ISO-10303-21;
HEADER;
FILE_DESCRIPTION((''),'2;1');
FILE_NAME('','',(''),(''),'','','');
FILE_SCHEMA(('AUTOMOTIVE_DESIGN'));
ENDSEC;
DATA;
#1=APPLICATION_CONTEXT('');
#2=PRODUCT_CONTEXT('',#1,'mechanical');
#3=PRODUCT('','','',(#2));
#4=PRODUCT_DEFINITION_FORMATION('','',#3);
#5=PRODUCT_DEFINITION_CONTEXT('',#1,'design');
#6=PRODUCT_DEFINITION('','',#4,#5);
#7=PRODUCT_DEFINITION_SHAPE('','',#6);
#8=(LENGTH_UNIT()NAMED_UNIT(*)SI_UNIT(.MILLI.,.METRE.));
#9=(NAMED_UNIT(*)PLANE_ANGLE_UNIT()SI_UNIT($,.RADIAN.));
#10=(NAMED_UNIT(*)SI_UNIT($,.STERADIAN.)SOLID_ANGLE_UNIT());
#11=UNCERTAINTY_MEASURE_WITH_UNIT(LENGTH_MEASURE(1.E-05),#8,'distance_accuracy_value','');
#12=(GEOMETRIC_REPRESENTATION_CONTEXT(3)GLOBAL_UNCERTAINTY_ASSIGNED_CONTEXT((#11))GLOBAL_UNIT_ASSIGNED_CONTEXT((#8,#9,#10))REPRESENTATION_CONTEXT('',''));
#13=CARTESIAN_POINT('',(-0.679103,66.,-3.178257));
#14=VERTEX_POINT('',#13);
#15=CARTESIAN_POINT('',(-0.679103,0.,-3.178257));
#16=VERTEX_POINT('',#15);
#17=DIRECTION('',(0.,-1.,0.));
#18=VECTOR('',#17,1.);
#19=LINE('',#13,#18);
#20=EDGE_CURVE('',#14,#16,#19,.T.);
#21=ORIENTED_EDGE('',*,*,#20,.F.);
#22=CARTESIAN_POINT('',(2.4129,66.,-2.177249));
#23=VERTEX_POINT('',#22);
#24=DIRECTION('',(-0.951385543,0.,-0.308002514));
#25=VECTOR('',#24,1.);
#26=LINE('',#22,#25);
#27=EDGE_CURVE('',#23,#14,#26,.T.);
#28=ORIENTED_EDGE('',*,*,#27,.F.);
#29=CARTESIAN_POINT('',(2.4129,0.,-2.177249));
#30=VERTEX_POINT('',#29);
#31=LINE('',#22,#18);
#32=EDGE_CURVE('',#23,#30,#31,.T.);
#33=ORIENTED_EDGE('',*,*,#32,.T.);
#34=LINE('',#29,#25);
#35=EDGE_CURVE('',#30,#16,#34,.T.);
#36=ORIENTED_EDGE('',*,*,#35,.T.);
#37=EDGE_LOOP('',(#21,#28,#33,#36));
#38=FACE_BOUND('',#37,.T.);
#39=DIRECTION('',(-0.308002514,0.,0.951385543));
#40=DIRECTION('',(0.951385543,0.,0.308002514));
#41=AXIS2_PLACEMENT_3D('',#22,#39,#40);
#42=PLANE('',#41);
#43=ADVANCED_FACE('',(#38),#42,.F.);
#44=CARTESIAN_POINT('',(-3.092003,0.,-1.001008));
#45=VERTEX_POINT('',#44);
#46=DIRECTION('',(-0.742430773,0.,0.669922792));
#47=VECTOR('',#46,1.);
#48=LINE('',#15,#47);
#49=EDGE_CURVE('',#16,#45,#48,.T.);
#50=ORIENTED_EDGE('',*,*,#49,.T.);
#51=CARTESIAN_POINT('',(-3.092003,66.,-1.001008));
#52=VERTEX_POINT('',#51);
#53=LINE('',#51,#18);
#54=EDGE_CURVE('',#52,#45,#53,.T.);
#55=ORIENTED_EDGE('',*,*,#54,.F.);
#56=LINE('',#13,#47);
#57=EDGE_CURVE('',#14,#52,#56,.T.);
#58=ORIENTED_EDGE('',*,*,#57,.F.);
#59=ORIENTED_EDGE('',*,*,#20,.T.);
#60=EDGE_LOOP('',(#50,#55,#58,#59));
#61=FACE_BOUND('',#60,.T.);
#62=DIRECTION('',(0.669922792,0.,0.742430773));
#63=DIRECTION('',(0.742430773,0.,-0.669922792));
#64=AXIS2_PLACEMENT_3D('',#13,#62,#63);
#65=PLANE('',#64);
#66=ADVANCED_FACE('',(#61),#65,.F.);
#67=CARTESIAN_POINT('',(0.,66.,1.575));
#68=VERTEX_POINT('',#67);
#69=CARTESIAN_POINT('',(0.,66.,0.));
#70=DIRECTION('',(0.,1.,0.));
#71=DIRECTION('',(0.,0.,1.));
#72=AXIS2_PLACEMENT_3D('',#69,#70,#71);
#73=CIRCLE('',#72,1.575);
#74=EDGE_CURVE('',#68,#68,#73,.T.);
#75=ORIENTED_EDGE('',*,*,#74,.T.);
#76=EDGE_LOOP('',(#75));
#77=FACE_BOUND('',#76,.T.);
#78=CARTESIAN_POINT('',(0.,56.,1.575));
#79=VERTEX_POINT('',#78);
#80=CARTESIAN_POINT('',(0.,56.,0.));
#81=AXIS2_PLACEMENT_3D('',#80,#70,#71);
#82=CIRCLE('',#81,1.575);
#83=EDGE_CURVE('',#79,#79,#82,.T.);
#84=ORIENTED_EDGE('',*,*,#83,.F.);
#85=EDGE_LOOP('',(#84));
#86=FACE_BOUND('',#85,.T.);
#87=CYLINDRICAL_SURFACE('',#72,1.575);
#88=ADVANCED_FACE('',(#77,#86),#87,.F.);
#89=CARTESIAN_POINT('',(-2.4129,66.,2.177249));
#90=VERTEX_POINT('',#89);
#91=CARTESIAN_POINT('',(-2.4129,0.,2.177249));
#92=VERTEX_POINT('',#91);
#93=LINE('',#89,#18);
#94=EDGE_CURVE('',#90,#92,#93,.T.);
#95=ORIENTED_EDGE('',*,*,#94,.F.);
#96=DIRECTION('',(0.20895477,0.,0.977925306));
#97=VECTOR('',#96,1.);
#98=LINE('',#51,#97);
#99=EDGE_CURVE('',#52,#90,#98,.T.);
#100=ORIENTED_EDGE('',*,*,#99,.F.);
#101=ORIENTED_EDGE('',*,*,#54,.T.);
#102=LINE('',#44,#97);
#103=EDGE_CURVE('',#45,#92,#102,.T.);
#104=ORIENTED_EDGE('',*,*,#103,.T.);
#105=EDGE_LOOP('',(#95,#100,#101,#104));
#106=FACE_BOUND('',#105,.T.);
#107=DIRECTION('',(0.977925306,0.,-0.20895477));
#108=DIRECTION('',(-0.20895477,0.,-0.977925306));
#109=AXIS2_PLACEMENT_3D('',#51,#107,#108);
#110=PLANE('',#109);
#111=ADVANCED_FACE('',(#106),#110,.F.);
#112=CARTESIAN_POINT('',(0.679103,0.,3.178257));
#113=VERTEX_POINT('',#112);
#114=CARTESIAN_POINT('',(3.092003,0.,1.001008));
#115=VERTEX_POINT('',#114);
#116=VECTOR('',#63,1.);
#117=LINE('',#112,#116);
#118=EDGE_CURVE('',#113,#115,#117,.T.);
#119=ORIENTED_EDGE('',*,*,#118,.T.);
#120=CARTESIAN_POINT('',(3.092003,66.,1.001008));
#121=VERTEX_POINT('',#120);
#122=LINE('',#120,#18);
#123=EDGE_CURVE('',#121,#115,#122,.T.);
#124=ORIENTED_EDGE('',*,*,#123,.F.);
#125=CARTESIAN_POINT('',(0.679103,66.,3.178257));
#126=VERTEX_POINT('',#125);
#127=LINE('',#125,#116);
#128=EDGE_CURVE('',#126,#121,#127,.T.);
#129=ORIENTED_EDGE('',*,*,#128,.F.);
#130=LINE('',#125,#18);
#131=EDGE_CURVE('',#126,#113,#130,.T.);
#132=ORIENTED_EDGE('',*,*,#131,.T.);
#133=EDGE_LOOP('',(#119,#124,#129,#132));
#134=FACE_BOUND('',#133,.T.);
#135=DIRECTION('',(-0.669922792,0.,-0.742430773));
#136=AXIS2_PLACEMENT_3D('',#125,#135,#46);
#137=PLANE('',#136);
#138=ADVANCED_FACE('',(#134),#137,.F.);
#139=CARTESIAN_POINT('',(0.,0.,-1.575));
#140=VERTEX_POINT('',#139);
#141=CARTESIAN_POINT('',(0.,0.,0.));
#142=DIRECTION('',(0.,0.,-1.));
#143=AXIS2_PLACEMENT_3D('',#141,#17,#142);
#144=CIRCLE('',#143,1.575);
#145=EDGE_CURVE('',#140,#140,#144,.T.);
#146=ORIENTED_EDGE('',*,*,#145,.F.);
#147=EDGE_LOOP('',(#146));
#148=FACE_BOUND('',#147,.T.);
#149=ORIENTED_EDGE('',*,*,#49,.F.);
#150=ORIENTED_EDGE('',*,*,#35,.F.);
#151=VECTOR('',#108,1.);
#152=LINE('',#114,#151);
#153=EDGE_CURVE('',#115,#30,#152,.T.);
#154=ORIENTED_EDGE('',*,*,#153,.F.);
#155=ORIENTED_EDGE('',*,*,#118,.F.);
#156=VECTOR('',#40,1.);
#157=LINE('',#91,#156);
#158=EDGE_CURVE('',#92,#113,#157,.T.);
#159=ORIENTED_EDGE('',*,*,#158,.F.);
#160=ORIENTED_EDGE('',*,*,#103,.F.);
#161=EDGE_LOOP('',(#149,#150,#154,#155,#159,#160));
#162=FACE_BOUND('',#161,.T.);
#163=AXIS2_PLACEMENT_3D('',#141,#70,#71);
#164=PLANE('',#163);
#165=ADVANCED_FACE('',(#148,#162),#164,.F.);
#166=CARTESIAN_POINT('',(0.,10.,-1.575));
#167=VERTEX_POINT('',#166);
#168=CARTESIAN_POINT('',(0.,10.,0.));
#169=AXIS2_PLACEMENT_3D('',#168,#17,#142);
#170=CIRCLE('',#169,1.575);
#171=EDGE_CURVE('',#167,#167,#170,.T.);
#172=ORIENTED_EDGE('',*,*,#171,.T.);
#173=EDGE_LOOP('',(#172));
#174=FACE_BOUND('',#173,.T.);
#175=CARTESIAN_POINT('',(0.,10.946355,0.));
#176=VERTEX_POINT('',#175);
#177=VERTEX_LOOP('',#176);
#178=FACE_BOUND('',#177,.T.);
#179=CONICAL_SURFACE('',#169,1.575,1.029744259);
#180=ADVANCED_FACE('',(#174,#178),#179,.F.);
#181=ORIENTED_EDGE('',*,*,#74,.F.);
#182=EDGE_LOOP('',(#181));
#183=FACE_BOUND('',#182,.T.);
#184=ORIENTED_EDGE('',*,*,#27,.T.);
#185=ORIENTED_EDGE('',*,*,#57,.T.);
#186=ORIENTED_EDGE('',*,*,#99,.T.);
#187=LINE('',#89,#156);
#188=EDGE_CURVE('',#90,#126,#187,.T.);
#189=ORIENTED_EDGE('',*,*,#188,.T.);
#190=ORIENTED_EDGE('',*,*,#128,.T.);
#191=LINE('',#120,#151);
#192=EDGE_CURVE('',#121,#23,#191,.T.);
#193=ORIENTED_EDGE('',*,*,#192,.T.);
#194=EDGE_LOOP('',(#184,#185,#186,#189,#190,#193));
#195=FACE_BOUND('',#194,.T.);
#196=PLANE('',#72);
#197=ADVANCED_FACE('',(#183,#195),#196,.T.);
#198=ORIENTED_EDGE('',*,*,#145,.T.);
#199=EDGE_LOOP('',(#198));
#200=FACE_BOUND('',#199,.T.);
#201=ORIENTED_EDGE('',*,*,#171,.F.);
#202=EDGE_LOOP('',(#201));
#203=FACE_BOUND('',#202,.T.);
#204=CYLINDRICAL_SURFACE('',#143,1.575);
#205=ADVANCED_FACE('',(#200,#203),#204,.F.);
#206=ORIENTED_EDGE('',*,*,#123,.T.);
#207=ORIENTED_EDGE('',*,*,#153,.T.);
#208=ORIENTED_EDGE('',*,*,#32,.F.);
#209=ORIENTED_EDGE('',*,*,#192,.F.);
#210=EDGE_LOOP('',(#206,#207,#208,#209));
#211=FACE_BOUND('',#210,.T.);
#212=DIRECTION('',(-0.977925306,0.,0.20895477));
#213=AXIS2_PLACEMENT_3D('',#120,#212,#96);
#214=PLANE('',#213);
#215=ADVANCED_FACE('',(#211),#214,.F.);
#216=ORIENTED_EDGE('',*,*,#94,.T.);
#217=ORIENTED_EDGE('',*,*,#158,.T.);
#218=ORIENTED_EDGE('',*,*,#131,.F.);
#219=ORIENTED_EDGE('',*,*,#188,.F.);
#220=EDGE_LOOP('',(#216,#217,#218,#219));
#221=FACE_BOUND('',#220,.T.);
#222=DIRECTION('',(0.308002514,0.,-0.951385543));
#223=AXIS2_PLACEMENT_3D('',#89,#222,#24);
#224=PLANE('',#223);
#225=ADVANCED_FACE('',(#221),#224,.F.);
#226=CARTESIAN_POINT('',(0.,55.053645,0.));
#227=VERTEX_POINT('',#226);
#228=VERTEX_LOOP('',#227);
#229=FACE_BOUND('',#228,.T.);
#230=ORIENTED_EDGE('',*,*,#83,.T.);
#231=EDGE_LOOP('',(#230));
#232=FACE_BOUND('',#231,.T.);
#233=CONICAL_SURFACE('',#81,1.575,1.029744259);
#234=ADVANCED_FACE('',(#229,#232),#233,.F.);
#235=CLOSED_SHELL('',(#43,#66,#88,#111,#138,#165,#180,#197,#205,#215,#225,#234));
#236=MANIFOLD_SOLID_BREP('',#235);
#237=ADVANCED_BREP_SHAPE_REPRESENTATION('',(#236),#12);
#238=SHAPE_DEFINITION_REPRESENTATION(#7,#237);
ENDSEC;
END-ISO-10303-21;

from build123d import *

# Parameters (mm, degrees)
RESSALTO_EXTRUS_O1_DEPTH                    = 66
FURO_ROSCADO_PARA_CONDU_TE_DE_M3X0_51_D     = 3.15
FURO_ROSCADO_PARA_CONDU_TE_DE_M3X0_51_DEPTH = 10
FURO_ROSCADO_PARA_CONDU_TE_DE_M3X0_51_TIP   = 0.946355475
FURO_ROSCADO_PARA_CONDU_TE_DE_M3X0_52_D     = 3.15
FURO_ROSCADO_PARA_CONDU_TE_DE_M3X0_52_DEPTH = 10
FURO_ROSCADO_PARA_CONDU_TE_DE_M3X0_52_TIP   = 0.946355475


with BuildPart() as part:
    # Esboço1 → Ressalto-extrusão1 (new body)
    with BuildSketch(Plane(origin=(0, 0, 0), x_dir=(1, 0, 0), z_dir=(0, 1, 0))):
        Polygon((3.092003015, -1.00100817), (2.412900012, 2.177249074), (-0.679103003, 3.178257244), (-3.092003015, 1.00100817), (-2.412900012, -2.177249074), (0.679103003, -3.178257244), align=None)
    extrude(amount=RESSALTO_EXTRUS_O1_DEPTH)

    # Furo roscado para conduíte de M3x0.51
    with Locations(Plane(origin=(0, 0, 0), x_dir=(-1, 0, 0), z_dir=(0, -1, 0))):
        with Locations((0, 0)):
            Hole(FURO_ROSCADO_PARA_CONDU_TE_DE_M3X0_51_D / 2, depth=FURO_ROSCADO_PARA_CONDU_TE_DE_M3X0_51_DEPTH)
            with Locations((0, 0, -(FURO_ROSCADO_PARA_CONDU_TE_DE_M3X0_51_DEPTH + FURO_ROSCADO_PARA_CONDU_TE_DE_M3X0_51_TIP / 2))):  # 118° drill point
                Cone(0, FURO_ROSCADO_PARA_CONDU_TE_DE_M3X0_51_D / 2, FURO_ROSCADO_PARA_CONDU_TE_DE_M3X0_51_TIP, mode=Mode.SUBTRACT)

    # Furo roscado para conduíte de M3x0.52
    with Locations(Plane(origin=(0, 66, 0), x_dir=(1, 0, 0), z_dir=(0, 1, 0))):
        with Locations((0, 0)):
            Hole(FURO_ROSCADO_PARA_CONDU_TE_DE_M3X0_52_D / 2, depth=FURO_ROSCADO_PARA_CONDU_TE_DE_M3X0_52_DEPTH)
            with Locations((0, 0, -(FURO_ROSCADO_PARA_CONDU_TE_DE_M3X0_52_DEPTH + FURO_ROSCADO_PARA_CONDU_TE_DE_M3X0_52_TIP / 2))):  # 118° drill point
                Cone(0, FURO_ROSCADO_PARA_CONDU_TE_DE_M3X0_52_D / 2, FURO_ROSCADO_PARA_CONDU_TE_DE_M3X0_52_TIP, mode=Mode.SUBTRACT)


solid = part.part
